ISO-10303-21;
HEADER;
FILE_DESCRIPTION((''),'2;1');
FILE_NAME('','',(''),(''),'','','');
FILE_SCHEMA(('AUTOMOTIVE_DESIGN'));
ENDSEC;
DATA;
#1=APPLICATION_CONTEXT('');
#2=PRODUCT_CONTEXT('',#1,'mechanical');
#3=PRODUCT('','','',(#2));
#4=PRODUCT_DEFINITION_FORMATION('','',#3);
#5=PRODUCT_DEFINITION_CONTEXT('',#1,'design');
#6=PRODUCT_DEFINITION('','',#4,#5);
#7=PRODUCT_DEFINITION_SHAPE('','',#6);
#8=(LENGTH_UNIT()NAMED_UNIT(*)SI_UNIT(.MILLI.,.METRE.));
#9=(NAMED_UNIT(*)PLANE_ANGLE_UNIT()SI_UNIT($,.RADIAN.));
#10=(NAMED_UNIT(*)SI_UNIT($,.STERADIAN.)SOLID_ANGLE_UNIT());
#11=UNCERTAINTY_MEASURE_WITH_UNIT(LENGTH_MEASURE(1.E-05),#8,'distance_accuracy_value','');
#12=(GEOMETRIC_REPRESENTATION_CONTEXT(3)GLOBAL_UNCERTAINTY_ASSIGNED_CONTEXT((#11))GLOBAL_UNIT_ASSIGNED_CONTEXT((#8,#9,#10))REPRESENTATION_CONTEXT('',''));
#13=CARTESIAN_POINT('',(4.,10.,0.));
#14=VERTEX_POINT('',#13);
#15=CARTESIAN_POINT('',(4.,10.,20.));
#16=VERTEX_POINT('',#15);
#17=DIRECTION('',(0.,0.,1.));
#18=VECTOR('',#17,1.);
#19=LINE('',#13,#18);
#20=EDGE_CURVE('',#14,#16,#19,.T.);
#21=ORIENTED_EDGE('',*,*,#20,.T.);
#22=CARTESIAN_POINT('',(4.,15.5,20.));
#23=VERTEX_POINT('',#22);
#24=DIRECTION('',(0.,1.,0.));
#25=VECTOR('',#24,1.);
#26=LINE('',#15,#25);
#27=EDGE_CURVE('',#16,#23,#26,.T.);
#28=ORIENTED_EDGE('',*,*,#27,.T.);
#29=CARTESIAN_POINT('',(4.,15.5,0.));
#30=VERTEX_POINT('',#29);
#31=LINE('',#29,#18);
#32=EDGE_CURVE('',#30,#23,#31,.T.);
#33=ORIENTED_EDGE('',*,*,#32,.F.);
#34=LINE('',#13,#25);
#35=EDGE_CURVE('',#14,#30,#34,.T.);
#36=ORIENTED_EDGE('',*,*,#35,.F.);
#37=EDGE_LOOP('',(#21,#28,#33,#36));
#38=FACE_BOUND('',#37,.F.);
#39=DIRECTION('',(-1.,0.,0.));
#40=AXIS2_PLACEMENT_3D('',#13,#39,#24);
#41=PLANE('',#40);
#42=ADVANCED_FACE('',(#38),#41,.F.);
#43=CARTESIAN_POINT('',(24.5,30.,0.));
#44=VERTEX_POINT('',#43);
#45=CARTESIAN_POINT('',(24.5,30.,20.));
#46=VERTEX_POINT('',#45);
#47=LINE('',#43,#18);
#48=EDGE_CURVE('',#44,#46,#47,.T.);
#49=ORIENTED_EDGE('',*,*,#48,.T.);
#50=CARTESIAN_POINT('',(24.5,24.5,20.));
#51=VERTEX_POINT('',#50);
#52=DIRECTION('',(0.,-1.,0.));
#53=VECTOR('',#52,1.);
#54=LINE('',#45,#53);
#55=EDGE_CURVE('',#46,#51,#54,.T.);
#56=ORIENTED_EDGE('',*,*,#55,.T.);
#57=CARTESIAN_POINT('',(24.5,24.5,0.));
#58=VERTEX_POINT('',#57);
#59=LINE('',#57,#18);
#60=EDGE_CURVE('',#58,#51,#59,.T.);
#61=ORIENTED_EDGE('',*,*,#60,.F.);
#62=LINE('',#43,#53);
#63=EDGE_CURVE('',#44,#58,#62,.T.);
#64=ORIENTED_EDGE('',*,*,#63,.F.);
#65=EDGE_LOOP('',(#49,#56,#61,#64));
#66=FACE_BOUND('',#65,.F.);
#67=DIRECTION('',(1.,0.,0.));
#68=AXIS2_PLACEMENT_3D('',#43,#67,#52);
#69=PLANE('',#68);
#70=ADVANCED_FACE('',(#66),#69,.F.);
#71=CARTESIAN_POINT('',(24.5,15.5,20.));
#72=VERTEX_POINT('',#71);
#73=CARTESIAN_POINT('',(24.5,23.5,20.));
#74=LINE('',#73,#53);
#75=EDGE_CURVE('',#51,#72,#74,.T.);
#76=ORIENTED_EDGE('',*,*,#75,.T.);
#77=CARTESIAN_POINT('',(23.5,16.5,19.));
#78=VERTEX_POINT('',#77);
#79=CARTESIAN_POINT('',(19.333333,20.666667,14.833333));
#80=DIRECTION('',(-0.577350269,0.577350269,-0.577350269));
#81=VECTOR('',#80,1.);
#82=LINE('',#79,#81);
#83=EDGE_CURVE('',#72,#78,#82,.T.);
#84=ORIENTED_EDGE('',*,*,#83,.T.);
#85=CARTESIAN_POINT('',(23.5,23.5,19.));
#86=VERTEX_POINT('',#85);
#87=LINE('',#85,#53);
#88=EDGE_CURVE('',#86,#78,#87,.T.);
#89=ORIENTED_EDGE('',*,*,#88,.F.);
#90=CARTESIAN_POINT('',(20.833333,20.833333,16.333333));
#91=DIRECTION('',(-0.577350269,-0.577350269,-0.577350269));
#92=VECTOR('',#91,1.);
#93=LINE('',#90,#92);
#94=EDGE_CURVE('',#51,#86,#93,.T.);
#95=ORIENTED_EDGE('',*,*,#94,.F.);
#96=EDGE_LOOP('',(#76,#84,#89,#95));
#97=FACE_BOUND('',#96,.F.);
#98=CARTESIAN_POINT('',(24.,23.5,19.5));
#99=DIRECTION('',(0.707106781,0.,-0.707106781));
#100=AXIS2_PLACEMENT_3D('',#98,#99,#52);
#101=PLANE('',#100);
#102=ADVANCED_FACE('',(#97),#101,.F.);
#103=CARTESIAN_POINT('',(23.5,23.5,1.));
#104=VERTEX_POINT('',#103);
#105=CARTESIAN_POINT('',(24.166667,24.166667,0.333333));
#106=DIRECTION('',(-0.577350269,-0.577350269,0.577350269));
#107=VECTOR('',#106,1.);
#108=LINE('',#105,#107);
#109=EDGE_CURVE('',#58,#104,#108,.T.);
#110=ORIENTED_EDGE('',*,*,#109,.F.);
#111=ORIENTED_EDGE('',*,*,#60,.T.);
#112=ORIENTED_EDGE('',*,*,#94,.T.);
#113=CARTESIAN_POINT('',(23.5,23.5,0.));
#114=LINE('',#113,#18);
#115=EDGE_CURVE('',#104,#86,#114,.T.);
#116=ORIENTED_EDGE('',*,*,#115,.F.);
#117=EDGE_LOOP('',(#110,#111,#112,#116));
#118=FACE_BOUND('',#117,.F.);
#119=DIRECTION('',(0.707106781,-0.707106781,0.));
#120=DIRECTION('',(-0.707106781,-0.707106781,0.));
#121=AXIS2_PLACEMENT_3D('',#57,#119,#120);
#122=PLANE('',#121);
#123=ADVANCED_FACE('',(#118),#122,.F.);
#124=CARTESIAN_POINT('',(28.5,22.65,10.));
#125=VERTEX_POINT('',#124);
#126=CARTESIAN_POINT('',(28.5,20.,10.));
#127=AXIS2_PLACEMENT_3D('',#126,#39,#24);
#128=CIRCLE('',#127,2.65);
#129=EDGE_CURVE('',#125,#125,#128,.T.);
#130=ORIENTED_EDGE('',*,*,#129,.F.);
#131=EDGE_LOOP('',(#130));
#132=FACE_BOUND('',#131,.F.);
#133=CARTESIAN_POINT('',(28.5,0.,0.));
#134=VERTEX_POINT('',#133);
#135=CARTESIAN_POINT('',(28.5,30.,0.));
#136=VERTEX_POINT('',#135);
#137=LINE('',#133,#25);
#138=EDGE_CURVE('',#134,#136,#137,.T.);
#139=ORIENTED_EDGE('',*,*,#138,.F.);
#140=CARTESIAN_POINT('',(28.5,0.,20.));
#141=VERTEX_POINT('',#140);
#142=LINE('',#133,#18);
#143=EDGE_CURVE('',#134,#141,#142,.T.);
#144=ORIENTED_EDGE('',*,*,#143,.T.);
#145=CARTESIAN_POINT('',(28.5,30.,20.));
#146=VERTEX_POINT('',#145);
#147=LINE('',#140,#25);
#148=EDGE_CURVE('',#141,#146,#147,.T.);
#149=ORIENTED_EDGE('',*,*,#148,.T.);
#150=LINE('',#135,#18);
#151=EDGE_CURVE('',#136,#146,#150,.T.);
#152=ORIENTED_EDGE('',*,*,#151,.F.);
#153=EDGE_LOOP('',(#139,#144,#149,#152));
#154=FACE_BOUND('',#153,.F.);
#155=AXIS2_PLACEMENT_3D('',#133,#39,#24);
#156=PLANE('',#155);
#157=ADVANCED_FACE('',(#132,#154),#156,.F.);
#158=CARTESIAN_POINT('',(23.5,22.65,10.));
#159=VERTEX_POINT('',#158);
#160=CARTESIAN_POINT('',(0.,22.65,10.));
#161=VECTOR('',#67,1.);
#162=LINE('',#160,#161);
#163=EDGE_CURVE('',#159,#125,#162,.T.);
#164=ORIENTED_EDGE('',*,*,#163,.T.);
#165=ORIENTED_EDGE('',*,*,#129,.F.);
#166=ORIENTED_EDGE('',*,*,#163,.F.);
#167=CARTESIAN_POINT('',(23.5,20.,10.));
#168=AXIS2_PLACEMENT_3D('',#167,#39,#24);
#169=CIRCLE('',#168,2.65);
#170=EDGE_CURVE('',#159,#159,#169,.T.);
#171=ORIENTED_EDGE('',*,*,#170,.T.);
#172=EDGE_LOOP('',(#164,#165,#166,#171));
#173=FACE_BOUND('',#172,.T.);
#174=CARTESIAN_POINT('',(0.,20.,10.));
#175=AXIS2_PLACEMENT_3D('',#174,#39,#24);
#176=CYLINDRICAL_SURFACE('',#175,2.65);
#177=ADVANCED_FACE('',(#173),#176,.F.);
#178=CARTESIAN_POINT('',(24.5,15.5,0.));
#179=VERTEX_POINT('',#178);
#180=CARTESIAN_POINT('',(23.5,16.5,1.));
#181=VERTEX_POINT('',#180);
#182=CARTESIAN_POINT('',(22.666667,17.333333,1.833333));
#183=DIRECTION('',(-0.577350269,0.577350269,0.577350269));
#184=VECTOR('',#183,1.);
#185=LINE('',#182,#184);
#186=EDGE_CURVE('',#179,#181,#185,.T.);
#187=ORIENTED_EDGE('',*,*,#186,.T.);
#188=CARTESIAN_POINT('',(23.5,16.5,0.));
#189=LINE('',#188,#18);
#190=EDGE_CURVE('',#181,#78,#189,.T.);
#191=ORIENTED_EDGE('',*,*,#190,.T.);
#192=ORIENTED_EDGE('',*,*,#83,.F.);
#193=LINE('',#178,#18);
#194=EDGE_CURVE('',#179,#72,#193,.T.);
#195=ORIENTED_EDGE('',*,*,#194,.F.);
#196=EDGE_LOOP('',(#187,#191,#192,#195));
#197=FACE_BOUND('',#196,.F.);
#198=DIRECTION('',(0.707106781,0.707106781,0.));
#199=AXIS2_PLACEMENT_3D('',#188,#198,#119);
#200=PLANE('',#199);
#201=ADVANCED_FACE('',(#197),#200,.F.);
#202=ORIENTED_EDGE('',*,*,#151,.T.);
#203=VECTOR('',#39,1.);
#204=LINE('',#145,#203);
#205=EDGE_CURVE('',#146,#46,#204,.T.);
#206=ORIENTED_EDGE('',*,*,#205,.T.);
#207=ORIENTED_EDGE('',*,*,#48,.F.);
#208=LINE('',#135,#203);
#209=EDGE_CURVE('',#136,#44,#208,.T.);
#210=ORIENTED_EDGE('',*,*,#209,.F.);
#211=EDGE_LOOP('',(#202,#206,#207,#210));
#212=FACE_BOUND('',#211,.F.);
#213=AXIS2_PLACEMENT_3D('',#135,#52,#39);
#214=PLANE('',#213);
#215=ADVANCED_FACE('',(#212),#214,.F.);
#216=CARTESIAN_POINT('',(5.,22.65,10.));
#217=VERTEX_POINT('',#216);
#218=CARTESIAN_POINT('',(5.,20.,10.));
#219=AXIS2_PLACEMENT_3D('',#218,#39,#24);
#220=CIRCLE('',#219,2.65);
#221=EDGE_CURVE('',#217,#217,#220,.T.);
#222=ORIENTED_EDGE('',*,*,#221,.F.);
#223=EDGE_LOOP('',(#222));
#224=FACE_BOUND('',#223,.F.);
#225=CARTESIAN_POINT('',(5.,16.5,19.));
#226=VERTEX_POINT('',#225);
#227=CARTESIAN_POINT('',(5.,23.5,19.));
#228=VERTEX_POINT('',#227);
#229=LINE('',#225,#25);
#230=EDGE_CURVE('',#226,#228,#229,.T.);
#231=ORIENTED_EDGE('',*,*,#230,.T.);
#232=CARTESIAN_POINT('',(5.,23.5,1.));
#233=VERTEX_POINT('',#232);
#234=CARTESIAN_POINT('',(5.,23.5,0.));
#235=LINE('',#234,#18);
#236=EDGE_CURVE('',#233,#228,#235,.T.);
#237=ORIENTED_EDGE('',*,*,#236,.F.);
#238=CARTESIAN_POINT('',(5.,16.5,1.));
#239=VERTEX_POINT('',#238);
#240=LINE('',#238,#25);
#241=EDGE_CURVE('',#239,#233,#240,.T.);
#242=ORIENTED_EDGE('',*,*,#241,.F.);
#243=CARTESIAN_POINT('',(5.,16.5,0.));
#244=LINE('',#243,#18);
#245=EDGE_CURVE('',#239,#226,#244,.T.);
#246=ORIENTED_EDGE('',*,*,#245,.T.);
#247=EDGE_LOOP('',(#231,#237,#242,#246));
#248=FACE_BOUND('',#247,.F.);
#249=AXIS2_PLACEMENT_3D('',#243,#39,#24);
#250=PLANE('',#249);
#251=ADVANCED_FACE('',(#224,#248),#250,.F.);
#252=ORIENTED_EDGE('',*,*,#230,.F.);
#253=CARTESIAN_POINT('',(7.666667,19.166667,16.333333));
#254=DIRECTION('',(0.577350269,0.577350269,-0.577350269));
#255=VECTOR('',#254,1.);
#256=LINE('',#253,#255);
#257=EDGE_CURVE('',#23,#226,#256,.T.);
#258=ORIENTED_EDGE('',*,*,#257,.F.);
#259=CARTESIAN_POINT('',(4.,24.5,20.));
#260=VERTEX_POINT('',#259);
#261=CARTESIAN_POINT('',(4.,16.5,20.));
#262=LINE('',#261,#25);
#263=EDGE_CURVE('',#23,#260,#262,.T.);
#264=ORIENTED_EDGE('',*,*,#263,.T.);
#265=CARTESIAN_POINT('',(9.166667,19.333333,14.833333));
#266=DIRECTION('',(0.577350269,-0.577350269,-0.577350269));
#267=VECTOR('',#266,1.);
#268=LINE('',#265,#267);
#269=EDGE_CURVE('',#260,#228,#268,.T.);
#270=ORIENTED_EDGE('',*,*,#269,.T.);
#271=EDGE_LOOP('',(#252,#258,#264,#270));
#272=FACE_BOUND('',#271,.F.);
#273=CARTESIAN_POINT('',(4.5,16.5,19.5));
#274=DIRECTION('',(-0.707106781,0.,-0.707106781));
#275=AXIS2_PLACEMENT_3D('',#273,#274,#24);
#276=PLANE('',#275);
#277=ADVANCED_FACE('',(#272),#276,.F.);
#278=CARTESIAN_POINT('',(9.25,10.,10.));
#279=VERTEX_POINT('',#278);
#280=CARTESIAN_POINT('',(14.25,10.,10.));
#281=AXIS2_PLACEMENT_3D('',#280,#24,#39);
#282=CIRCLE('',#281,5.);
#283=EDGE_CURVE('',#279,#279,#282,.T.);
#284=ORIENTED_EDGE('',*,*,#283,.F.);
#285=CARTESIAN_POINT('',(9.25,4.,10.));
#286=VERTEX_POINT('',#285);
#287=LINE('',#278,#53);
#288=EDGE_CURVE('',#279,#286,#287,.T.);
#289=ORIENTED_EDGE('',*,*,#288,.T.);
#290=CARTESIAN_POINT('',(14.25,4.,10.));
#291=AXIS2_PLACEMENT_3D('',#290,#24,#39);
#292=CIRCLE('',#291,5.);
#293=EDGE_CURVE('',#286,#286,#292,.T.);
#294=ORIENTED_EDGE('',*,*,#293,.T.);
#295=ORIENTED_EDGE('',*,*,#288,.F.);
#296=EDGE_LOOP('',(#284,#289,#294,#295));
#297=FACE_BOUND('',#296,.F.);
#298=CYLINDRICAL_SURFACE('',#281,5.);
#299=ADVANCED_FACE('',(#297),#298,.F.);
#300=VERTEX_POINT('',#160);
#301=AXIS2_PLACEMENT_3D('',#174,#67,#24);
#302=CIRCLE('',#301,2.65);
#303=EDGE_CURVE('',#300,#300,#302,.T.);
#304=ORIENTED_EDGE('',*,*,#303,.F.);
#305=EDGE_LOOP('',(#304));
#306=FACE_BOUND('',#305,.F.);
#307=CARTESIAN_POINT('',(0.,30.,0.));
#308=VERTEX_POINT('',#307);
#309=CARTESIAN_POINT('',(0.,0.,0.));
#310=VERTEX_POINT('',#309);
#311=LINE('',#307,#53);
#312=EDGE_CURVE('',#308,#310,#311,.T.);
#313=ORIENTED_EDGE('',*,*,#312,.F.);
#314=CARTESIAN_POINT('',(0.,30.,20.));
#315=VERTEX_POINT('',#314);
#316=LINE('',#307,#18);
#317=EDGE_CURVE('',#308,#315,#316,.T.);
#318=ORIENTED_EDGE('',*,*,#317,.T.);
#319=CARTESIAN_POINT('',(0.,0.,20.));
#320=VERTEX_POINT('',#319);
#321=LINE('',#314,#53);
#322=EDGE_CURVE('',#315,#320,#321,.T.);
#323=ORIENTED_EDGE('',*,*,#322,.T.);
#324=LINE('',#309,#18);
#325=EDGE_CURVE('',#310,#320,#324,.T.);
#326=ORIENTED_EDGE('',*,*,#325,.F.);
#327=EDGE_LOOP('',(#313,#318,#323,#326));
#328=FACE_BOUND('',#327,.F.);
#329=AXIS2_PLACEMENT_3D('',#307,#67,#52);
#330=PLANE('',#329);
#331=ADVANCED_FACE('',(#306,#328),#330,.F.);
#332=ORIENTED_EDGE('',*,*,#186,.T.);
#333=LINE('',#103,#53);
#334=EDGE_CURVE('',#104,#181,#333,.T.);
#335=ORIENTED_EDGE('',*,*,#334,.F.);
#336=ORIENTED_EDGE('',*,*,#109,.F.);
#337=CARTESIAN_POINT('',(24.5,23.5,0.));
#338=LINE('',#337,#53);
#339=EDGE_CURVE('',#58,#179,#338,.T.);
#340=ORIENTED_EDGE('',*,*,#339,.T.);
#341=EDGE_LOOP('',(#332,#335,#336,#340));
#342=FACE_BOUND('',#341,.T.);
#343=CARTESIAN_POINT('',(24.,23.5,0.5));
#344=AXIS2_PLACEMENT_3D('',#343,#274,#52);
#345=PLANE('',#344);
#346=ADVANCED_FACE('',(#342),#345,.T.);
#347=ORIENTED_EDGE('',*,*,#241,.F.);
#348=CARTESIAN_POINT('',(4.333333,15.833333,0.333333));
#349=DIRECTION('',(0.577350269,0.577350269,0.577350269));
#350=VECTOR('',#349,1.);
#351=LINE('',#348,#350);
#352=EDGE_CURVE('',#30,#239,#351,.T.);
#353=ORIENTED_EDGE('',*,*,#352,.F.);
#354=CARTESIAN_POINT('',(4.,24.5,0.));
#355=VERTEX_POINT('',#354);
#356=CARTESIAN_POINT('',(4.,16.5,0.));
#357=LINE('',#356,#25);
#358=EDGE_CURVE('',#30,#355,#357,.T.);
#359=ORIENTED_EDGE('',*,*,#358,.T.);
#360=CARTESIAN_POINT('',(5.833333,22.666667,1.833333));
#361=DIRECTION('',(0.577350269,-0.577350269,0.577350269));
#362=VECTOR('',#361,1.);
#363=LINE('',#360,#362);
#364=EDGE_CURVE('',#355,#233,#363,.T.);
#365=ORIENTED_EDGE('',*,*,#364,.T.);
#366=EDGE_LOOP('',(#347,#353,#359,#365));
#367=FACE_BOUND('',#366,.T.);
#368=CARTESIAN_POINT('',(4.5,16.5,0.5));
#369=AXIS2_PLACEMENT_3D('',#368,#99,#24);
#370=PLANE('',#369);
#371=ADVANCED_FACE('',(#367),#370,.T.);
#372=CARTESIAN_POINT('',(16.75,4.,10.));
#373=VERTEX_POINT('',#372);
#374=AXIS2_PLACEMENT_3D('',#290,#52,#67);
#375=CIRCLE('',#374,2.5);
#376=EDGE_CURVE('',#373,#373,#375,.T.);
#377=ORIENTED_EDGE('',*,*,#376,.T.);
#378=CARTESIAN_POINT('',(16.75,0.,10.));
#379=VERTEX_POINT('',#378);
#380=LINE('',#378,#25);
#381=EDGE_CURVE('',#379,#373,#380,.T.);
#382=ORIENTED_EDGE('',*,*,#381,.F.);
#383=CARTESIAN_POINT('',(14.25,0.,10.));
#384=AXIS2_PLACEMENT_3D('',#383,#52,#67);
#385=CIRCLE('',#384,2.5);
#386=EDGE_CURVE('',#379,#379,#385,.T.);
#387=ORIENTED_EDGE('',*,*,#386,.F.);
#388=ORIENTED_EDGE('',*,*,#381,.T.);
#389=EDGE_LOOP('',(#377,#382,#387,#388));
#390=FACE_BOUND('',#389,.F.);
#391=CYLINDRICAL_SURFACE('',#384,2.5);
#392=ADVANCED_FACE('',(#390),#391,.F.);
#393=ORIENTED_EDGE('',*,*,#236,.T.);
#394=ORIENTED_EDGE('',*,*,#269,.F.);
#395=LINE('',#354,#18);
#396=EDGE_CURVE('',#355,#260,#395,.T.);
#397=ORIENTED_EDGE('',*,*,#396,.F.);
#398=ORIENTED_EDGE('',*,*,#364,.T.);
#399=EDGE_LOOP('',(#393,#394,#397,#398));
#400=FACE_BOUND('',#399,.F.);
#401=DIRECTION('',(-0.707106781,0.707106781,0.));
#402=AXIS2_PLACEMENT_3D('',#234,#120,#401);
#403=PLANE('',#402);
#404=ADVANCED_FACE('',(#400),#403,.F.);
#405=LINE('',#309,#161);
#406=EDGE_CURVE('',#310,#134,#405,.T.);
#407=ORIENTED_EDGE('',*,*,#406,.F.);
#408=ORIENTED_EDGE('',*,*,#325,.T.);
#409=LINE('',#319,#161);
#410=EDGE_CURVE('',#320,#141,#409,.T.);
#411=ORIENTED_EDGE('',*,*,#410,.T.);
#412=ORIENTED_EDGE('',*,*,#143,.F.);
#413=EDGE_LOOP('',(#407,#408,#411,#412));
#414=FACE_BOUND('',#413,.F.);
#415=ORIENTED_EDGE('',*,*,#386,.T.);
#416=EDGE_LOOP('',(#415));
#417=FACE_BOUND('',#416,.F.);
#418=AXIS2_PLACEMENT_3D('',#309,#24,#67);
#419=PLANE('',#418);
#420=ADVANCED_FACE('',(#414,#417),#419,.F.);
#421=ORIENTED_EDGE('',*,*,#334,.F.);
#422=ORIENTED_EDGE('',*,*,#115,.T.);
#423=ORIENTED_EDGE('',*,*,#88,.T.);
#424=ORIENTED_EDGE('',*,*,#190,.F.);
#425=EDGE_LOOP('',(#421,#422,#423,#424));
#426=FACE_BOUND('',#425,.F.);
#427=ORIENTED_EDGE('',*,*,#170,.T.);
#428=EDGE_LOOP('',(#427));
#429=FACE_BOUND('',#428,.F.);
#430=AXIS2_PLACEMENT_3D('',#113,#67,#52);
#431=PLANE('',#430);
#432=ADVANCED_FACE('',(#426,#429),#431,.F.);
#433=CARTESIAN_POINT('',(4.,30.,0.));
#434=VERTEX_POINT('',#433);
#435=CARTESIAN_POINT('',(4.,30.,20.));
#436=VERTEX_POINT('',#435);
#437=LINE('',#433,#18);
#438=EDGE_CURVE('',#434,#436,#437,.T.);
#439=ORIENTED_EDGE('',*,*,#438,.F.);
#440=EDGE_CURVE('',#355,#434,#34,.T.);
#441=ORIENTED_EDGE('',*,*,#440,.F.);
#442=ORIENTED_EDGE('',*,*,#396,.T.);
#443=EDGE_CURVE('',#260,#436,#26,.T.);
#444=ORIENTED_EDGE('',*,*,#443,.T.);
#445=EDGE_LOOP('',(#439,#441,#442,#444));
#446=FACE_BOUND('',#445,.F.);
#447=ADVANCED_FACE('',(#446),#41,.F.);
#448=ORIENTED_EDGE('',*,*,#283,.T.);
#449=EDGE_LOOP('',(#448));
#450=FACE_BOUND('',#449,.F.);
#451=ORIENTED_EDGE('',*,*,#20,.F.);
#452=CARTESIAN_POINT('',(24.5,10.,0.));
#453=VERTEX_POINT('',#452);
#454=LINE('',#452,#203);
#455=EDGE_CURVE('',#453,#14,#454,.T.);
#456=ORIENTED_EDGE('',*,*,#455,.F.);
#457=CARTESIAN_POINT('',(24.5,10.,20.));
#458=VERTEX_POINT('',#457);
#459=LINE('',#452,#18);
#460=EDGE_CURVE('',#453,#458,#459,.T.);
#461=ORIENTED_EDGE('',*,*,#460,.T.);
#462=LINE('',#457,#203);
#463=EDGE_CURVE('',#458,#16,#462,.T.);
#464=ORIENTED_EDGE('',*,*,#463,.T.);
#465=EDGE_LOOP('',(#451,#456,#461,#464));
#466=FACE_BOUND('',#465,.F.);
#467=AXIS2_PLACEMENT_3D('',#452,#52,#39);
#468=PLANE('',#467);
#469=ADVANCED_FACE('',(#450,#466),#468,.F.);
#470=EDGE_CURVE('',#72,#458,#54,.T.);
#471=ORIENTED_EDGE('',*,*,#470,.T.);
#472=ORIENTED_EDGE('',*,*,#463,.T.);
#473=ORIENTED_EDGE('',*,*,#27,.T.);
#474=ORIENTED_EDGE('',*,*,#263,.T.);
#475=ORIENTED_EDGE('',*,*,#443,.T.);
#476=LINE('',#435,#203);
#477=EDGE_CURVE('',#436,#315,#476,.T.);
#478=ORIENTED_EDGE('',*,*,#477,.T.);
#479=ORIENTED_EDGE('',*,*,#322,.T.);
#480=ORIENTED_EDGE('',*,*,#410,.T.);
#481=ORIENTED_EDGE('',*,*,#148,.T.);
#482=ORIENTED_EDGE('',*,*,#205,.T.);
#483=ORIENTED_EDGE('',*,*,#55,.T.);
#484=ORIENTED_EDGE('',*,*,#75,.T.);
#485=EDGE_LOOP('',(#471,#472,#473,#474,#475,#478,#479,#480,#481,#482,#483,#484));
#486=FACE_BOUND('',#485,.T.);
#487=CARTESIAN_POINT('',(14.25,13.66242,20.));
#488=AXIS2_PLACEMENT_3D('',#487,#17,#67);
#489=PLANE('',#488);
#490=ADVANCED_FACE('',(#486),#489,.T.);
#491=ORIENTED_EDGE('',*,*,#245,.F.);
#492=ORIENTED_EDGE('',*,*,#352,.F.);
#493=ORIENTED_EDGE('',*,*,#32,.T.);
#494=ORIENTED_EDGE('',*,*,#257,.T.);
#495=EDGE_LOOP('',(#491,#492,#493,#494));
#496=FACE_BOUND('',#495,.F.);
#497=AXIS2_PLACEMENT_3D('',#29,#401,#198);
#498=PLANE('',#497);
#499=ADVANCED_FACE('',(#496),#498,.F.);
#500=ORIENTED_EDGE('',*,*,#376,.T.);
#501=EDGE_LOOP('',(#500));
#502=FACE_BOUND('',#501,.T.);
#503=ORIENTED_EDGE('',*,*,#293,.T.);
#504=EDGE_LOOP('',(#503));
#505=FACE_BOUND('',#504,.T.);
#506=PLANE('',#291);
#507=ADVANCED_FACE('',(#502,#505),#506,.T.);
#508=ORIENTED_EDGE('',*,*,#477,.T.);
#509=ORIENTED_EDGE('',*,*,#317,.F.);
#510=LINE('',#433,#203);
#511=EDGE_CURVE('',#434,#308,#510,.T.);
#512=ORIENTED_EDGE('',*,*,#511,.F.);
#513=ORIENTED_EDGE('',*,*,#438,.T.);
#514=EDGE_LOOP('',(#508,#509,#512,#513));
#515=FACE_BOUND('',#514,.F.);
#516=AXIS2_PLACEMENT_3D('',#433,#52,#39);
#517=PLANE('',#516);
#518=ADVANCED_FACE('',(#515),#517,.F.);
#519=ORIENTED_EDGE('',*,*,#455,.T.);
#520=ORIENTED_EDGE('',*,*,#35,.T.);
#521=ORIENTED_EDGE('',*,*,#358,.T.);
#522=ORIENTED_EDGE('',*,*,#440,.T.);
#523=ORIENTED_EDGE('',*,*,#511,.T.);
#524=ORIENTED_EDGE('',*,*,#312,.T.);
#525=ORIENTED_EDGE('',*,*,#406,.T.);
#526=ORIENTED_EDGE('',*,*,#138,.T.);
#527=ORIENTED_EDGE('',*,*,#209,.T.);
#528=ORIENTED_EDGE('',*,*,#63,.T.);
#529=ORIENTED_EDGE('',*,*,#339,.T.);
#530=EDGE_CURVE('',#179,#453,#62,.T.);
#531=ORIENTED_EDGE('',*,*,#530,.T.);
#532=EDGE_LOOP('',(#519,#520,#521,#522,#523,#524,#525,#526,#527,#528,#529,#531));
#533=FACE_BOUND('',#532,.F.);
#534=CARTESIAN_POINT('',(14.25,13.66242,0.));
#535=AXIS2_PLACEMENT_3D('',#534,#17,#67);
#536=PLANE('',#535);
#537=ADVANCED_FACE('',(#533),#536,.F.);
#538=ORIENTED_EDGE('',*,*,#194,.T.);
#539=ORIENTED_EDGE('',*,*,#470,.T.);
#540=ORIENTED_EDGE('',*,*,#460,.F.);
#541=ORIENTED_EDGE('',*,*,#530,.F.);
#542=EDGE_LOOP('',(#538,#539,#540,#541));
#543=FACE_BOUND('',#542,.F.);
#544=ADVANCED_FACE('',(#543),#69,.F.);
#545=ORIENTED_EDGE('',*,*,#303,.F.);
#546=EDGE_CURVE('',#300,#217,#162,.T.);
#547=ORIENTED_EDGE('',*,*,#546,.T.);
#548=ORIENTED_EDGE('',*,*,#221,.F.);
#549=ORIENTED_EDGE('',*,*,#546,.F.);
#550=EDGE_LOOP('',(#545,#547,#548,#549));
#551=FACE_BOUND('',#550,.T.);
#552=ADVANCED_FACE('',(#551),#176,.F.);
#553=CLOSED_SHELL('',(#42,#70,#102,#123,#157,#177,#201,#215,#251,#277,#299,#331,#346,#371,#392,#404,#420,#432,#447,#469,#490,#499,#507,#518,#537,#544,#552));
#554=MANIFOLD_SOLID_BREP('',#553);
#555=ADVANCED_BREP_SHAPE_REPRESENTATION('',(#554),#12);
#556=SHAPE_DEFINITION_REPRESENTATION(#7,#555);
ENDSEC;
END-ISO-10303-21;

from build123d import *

# Parameters (mm, degrees)
F1_DEPTH  = 20
F2_R      = 2.5
F3_DEPTH  = 30.001
F4_R      = 5
F5_DEPTH  = 6
F7_DEPTH  = 20
F8_SIZE   = 1
F9_R      = 2.65
F10_DEPTH = 28.501


with BuildPart() as f1:
    # F0 (on Top) → F1 (new body)
    with BuildSketch(Plane.XY):
        Polygon((0, 30), (0, 0), (28.5, 0), (28.5, 30), (24.5, 30), (24.5, 10), (4, 10), (4, 30), align=None)
    extrude(amount=F1_DEPTH)

    # F2 (on Front) → F3 (cut, through all)
    with BuildSketch(Plane.XZ):
        with Locations((14.25, 10)):
            Circle(F2_R)
    extrude(amount=-F3_DEPTH, mode=Mode.SUBTRACT)

    # F4 (on face) → F5 (cut)
    with BuildSketch(Plane(origin=(0, 10, 0), x_dir=(-1, 0, 0), z_dir=(0, 1, 0))):
        with Locations((-14.25, 10)):
            Circle(F4_R)
    extrude(amount=-F5_DEPTH, mode=Mode.SUBTRACT)

    # F6 (on Top) → F7 (join, through all)
    with BuildSketch(Plane.XY):
        Polygon((4, 24.5), (4, 15.5), (5, 16.5), (5, 23.5), align=None)
        Polygon((23.5, 16.5), (24.5, 15.5), (24.5, 24.5), (23.5, 23.5), align=None)
    extrude(amount=F7_DEPTH)

    # F8
    f8_edges = [f1.edges().sort_by_distance(p)[0] for p in [
        (5, 20, 20),
        (5, 20, 0),
        (23.5, 20, 20),
        (23.5, 20, 0),
    ]]
    chamfer(f8_edges, length=F8_SIZE)

    # F9 (on Right) → F10 (cut, through all)
    with BuildSketch(Plane.YZ):
        with Locations((20, 10)):
            Circle(F9_R)
    extrude(amount=F10_DEPTH, mode=Mode.SUBTRACT)


solid = f1.part
